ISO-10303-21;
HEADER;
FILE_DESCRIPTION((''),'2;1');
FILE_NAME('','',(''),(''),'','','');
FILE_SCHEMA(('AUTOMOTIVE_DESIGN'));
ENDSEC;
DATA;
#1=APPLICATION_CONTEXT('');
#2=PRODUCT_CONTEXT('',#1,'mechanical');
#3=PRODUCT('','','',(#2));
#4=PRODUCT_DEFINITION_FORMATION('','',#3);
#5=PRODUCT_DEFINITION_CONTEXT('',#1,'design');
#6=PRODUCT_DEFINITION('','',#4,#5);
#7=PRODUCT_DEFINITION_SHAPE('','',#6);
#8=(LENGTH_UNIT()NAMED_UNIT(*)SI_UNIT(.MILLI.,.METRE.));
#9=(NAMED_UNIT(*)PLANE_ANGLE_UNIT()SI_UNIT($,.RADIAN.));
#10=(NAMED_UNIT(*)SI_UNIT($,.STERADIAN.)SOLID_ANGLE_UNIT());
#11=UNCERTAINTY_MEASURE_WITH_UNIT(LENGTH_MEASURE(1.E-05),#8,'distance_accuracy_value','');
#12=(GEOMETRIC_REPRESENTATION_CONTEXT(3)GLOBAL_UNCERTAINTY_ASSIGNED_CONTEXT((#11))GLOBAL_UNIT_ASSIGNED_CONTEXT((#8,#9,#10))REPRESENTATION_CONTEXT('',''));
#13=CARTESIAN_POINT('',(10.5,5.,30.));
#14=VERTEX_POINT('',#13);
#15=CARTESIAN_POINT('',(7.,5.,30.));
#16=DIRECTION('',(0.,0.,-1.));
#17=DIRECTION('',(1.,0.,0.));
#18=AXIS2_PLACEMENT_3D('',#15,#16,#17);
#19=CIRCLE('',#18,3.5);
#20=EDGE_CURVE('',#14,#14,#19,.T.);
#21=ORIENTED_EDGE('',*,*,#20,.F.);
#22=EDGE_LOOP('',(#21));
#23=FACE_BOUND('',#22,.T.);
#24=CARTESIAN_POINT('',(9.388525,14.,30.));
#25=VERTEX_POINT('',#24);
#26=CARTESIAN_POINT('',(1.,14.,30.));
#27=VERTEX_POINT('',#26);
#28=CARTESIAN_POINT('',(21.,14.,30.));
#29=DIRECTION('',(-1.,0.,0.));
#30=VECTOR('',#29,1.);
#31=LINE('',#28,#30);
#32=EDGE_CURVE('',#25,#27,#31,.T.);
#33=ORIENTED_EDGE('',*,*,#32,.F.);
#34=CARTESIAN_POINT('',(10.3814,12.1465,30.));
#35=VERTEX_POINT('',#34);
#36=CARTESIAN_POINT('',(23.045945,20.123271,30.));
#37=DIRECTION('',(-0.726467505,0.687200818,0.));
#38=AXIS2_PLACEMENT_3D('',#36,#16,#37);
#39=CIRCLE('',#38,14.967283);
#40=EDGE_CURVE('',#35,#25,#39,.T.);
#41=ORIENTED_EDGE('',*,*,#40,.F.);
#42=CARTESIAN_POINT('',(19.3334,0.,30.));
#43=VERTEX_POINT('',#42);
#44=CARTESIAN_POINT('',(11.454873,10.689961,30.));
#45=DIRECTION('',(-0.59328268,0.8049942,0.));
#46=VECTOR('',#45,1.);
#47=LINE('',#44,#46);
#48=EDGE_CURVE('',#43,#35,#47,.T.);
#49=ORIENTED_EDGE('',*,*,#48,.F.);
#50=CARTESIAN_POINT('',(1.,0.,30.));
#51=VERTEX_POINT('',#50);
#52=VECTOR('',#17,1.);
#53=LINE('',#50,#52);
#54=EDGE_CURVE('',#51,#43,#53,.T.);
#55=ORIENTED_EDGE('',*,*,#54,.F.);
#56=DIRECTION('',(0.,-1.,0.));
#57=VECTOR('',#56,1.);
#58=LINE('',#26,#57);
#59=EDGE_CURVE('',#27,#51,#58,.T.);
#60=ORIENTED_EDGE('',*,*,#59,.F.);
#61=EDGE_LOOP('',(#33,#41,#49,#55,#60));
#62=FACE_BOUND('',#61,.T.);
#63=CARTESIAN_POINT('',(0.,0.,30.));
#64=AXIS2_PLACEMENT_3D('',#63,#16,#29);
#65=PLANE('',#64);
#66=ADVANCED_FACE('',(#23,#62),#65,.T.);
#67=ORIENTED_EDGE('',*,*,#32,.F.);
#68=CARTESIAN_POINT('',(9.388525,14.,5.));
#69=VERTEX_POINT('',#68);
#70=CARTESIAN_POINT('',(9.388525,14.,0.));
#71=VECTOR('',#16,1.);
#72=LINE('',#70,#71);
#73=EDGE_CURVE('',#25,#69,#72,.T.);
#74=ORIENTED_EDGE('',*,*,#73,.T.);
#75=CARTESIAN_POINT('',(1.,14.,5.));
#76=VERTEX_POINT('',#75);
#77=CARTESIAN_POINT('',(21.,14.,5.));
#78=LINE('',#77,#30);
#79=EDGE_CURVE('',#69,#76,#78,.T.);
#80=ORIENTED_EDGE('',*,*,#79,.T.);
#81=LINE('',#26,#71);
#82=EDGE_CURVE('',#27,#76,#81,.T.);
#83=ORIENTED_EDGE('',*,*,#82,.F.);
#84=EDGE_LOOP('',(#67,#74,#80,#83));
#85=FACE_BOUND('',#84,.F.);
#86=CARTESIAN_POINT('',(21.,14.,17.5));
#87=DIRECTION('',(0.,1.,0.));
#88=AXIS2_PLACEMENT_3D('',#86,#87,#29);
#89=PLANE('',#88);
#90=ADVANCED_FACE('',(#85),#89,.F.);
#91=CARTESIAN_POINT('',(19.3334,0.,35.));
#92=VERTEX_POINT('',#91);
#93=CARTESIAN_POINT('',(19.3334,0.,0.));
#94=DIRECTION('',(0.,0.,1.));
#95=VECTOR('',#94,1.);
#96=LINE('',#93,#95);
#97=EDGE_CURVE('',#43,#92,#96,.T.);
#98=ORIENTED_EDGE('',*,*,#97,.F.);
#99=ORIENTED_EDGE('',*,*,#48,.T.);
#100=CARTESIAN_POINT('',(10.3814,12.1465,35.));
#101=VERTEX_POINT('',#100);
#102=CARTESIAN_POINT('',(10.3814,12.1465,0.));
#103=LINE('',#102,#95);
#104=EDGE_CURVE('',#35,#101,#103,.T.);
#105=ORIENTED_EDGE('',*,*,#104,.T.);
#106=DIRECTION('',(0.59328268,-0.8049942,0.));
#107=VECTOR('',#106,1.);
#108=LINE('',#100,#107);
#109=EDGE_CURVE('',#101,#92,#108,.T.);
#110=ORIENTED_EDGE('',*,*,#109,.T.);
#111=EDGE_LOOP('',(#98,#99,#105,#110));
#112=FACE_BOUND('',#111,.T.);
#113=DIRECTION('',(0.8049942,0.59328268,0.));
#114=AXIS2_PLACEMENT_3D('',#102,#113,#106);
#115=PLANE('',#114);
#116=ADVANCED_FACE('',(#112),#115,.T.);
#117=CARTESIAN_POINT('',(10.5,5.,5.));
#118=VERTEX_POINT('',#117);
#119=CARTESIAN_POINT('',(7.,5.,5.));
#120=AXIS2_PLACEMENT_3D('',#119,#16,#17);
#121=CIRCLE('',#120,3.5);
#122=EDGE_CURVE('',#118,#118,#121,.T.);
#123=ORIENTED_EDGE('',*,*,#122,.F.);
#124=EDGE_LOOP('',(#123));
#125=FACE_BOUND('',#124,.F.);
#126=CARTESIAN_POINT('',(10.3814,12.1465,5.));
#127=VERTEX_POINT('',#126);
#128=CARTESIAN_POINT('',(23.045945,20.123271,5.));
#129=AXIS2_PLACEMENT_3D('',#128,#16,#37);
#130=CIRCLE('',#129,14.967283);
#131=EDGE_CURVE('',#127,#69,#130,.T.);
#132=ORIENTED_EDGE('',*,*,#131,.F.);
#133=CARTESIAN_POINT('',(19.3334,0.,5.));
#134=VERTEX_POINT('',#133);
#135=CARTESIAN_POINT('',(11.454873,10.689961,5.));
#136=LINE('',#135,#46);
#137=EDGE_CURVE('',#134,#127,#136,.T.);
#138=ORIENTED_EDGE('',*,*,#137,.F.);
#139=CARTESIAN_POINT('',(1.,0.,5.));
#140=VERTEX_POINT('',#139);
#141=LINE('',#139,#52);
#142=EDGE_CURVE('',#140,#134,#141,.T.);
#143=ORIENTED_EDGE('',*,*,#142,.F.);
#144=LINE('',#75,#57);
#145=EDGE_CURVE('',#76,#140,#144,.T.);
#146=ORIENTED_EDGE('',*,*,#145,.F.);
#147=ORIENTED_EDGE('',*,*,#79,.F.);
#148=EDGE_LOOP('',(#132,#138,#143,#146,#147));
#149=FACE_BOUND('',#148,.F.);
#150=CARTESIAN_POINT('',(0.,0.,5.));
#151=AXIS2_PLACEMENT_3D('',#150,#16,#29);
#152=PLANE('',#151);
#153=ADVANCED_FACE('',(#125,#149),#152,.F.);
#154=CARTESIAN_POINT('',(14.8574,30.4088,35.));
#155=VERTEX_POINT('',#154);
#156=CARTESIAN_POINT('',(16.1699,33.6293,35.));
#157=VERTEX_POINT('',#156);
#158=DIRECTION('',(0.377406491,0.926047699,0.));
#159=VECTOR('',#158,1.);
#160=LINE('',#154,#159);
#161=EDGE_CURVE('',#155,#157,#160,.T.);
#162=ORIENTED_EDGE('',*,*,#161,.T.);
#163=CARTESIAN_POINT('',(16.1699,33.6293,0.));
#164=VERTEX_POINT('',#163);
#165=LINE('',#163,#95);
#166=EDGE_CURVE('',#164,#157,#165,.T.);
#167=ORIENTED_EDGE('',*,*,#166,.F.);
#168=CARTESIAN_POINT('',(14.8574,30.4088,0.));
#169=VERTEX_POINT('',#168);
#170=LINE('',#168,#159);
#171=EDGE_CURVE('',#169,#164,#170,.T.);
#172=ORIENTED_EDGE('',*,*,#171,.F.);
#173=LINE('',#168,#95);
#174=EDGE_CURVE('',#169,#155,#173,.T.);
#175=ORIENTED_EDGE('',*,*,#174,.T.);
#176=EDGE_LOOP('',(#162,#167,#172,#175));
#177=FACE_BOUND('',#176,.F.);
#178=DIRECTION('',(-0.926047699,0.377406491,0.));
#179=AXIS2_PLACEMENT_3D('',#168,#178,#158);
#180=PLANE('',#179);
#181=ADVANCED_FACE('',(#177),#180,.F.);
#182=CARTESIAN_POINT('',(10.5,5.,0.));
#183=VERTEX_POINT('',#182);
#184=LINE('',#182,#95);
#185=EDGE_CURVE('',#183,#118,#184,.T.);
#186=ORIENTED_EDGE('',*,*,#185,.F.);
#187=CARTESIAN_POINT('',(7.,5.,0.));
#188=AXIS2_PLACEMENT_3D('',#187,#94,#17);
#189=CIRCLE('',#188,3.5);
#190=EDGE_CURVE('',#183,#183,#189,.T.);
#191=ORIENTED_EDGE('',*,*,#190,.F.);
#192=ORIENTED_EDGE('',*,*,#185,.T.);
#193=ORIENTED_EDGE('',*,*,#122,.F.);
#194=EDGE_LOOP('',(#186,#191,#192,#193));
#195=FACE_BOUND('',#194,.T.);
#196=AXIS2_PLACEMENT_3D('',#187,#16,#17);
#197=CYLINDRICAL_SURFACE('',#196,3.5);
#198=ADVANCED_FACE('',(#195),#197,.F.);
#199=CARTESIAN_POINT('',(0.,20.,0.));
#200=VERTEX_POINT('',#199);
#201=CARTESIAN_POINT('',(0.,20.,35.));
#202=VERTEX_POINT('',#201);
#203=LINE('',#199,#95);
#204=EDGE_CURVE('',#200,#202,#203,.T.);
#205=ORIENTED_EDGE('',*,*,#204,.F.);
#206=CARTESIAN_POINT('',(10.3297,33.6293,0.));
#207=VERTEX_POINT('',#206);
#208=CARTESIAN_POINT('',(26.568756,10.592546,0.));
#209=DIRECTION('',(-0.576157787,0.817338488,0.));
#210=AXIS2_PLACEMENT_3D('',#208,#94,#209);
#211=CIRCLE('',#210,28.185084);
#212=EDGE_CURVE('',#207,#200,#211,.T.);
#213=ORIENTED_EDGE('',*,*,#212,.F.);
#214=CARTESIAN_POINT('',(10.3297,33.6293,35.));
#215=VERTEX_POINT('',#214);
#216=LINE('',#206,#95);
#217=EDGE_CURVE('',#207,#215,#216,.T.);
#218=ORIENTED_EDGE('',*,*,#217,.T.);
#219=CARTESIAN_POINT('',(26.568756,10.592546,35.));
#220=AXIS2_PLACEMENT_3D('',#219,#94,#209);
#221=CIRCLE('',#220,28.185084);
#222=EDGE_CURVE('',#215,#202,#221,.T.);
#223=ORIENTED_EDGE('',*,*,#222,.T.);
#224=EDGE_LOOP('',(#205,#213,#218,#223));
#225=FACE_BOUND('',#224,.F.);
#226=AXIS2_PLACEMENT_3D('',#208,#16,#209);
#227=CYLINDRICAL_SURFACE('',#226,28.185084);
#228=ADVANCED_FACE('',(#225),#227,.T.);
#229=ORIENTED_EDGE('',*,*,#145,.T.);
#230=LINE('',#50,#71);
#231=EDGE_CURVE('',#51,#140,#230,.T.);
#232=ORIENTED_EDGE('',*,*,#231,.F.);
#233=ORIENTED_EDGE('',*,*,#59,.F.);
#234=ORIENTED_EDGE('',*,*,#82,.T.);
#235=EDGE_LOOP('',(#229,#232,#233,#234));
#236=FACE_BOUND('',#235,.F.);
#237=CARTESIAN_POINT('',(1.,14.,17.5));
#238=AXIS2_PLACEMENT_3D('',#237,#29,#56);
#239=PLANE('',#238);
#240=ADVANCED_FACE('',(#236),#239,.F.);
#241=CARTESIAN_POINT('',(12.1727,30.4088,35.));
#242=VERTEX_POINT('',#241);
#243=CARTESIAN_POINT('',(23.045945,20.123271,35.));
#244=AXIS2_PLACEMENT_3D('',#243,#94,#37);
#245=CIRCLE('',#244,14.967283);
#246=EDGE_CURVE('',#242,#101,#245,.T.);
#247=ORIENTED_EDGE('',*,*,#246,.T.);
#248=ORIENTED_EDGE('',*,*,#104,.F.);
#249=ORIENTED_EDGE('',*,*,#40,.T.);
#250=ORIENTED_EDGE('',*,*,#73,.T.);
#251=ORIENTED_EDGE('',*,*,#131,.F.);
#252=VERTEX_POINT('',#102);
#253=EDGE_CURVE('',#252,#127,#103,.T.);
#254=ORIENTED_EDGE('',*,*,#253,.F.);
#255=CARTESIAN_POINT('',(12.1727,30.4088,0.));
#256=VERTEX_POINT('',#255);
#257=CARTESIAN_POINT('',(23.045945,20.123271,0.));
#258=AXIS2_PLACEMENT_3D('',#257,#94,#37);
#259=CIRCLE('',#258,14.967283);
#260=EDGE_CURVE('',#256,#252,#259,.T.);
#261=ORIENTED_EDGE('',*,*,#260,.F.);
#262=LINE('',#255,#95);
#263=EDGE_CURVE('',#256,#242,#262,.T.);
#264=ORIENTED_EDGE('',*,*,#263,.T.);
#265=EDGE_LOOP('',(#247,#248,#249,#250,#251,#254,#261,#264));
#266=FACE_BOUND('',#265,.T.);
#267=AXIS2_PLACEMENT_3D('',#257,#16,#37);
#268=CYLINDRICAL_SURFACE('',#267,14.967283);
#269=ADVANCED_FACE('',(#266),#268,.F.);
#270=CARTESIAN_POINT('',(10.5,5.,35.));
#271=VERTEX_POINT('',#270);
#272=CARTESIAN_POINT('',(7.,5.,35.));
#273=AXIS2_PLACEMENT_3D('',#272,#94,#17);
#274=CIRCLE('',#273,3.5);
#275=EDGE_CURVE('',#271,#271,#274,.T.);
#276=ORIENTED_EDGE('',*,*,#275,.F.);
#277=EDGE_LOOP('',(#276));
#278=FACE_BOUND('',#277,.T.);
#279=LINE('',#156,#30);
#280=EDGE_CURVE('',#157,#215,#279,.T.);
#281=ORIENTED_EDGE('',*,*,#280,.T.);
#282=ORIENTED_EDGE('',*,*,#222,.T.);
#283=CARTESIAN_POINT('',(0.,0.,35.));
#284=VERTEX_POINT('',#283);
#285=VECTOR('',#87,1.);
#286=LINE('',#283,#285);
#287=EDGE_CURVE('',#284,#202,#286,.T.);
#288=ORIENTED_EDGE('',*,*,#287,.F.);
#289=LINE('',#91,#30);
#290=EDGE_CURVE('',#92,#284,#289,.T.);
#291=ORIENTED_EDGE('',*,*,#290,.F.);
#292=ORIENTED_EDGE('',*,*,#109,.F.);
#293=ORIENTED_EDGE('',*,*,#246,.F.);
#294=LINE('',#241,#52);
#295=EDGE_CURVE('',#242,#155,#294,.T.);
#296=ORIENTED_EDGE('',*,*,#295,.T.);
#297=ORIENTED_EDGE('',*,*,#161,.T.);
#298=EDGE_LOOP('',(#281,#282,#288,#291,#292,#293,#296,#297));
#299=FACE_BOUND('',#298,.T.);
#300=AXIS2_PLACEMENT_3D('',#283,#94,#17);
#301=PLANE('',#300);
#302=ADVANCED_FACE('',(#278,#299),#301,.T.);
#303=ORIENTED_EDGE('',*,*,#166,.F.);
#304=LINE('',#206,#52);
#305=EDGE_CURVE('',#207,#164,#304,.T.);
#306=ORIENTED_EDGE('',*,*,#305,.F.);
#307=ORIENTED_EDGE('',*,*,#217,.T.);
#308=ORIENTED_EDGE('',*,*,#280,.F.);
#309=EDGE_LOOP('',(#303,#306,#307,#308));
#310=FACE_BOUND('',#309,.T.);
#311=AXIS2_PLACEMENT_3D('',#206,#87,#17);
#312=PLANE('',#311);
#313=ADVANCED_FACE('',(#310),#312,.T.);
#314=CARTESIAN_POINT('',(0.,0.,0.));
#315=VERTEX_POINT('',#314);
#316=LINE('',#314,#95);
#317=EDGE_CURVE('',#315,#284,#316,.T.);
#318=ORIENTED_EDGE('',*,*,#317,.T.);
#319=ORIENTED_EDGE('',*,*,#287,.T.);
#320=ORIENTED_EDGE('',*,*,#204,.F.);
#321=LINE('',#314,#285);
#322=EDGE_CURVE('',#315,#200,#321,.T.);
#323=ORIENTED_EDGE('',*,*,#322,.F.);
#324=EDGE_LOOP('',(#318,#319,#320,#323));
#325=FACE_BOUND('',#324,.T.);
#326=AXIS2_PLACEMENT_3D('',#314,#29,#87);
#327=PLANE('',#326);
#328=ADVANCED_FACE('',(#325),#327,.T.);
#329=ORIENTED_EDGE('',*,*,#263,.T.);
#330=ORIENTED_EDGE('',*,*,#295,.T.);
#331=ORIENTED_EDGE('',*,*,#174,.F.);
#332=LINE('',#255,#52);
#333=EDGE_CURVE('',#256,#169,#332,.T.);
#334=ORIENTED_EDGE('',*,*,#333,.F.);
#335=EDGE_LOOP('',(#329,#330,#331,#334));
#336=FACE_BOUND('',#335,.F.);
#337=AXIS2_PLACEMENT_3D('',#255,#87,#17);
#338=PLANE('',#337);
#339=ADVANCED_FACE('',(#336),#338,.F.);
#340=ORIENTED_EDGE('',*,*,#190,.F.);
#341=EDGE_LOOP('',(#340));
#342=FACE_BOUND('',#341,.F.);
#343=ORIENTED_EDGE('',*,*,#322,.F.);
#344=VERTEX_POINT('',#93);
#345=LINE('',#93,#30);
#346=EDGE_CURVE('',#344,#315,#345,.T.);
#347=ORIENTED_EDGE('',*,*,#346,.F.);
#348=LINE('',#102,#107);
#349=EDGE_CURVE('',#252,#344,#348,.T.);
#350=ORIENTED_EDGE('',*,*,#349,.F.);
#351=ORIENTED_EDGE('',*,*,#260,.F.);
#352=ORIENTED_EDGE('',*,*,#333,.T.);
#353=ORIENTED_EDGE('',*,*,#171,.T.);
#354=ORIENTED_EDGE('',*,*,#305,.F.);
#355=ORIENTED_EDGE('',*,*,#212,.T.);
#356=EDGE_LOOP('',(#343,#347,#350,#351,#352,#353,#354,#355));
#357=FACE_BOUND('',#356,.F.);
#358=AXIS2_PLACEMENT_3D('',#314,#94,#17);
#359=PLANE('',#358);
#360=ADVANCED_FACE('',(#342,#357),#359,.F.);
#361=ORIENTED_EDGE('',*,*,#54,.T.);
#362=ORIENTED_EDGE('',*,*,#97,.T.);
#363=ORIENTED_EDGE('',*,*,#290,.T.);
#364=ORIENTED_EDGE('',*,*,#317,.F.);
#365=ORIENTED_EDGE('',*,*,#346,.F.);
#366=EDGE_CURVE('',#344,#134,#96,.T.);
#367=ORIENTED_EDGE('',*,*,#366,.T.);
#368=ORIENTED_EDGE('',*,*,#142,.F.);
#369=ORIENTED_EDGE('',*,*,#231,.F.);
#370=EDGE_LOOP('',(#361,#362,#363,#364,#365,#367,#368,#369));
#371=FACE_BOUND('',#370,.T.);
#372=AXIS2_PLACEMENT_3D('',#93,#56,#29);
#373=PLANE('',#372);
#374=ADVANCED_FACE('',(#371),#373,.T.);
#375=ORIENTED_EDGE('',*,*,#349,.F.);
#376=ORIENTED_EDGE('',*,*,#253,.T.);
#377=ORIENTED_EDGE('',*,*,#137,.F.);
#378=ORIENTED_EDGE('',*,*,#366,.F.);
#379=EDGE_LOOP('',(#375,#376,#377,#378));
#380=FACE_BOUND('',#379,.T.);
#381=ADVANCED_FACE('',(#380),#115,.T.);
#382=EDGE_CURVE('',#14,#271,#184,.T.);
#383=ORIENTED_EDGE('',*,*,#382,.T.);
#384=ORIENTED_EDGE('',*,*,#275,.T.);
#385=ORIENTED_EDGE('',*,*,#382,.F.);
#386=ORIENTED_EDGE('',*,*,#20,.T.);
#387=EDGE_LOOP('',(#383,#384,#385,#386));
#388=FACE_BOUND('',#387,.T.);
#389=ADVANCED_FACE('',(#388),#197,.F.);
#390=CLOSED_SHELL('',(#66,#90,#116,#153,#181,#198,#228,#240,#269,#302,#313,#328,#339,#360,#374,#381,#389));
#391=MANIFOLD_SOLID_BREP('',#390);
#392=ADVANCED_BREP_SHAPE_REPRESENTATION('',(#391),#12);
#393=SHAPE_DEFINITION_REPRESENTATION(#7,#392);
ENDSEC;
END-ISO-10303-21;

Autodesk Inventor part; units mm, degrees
ref_plane "YZ Plane" through (0, 0, 0) normal (1, 0, 0) x (0, 1, 0)
ref_plane "XZ Plane" through (0, 0, 0) normal (0, 1, 0) x (-1, 0, 0)
sketch "Sketch1" plane through (0, 0, 0) normal (0, 0, 1) x (1, 0, 0)
  line L0 (0, 0) -> (0, 20)
  arc A0 (10.3297, 33.6293) -> (0, 20) centre (26.5688, 10.5925) ccw
  line L1 (10.3297, 33.6293) -> (13.2894, 33.6293)
  arc A1 (12.1727, 30.4088) -> (10.3814, 12.1465) centre (23.0461, 20.1232) ccw
  line L2 (10.3814, 12.1465) -> (19.3334, 0)
  line L3 (19.3334, 0) -> (0, 0)
  line L4 (12.1727, 30.4088) -> (14.8574, 30.4088)
  line L5 (14.8574, 30.4088) -> (16.1699, 33.6293)
  line L6 (16.1699, 33.6293) -> (13.2894, 33.6293)
  circle A2 centre (7, 5) radius 3.5
  dimension "d0" = 20
  dimension "d1" = 7
  dimension "d2" = 14.9674
  dimension "d3" = 28.1852
  dimension "d4" = 67.827
  dimension "d5" = 10.2856
  dimension "d6" = 7
  dimension "d7" = 5
  dimension "d8" = 53.61
  dimension "d9" = 3.2206
extrude "Extrusion1" add sketch "Sketch1" along normal blind 35
ref_plane "Work Plane1" through (0, 0, 17.5) normal (0, 0, -1) x (-1, 0, 0)
sketch "Sketch2" plane through (0, 0, 17.5) normal (0, 0, -1) x (-1, 0, 0)
  line L0 (-1, 0) -> (-21, 0)
  line L1 (-21, 0) -> (-21, 14)
  line L2 (-21, 14) -> (-1, 14)
  line L3 (-1, 14) -> (-1, 0)
  line L4 (0, 0) -> (-25.0349, 0) construction
  dimension "d12" = 20
  dimension "d13" = 14
  dimension "d15" = 1
extrude "Extrusion2" cut sketch "Sketch2" along normal mid plane 25
